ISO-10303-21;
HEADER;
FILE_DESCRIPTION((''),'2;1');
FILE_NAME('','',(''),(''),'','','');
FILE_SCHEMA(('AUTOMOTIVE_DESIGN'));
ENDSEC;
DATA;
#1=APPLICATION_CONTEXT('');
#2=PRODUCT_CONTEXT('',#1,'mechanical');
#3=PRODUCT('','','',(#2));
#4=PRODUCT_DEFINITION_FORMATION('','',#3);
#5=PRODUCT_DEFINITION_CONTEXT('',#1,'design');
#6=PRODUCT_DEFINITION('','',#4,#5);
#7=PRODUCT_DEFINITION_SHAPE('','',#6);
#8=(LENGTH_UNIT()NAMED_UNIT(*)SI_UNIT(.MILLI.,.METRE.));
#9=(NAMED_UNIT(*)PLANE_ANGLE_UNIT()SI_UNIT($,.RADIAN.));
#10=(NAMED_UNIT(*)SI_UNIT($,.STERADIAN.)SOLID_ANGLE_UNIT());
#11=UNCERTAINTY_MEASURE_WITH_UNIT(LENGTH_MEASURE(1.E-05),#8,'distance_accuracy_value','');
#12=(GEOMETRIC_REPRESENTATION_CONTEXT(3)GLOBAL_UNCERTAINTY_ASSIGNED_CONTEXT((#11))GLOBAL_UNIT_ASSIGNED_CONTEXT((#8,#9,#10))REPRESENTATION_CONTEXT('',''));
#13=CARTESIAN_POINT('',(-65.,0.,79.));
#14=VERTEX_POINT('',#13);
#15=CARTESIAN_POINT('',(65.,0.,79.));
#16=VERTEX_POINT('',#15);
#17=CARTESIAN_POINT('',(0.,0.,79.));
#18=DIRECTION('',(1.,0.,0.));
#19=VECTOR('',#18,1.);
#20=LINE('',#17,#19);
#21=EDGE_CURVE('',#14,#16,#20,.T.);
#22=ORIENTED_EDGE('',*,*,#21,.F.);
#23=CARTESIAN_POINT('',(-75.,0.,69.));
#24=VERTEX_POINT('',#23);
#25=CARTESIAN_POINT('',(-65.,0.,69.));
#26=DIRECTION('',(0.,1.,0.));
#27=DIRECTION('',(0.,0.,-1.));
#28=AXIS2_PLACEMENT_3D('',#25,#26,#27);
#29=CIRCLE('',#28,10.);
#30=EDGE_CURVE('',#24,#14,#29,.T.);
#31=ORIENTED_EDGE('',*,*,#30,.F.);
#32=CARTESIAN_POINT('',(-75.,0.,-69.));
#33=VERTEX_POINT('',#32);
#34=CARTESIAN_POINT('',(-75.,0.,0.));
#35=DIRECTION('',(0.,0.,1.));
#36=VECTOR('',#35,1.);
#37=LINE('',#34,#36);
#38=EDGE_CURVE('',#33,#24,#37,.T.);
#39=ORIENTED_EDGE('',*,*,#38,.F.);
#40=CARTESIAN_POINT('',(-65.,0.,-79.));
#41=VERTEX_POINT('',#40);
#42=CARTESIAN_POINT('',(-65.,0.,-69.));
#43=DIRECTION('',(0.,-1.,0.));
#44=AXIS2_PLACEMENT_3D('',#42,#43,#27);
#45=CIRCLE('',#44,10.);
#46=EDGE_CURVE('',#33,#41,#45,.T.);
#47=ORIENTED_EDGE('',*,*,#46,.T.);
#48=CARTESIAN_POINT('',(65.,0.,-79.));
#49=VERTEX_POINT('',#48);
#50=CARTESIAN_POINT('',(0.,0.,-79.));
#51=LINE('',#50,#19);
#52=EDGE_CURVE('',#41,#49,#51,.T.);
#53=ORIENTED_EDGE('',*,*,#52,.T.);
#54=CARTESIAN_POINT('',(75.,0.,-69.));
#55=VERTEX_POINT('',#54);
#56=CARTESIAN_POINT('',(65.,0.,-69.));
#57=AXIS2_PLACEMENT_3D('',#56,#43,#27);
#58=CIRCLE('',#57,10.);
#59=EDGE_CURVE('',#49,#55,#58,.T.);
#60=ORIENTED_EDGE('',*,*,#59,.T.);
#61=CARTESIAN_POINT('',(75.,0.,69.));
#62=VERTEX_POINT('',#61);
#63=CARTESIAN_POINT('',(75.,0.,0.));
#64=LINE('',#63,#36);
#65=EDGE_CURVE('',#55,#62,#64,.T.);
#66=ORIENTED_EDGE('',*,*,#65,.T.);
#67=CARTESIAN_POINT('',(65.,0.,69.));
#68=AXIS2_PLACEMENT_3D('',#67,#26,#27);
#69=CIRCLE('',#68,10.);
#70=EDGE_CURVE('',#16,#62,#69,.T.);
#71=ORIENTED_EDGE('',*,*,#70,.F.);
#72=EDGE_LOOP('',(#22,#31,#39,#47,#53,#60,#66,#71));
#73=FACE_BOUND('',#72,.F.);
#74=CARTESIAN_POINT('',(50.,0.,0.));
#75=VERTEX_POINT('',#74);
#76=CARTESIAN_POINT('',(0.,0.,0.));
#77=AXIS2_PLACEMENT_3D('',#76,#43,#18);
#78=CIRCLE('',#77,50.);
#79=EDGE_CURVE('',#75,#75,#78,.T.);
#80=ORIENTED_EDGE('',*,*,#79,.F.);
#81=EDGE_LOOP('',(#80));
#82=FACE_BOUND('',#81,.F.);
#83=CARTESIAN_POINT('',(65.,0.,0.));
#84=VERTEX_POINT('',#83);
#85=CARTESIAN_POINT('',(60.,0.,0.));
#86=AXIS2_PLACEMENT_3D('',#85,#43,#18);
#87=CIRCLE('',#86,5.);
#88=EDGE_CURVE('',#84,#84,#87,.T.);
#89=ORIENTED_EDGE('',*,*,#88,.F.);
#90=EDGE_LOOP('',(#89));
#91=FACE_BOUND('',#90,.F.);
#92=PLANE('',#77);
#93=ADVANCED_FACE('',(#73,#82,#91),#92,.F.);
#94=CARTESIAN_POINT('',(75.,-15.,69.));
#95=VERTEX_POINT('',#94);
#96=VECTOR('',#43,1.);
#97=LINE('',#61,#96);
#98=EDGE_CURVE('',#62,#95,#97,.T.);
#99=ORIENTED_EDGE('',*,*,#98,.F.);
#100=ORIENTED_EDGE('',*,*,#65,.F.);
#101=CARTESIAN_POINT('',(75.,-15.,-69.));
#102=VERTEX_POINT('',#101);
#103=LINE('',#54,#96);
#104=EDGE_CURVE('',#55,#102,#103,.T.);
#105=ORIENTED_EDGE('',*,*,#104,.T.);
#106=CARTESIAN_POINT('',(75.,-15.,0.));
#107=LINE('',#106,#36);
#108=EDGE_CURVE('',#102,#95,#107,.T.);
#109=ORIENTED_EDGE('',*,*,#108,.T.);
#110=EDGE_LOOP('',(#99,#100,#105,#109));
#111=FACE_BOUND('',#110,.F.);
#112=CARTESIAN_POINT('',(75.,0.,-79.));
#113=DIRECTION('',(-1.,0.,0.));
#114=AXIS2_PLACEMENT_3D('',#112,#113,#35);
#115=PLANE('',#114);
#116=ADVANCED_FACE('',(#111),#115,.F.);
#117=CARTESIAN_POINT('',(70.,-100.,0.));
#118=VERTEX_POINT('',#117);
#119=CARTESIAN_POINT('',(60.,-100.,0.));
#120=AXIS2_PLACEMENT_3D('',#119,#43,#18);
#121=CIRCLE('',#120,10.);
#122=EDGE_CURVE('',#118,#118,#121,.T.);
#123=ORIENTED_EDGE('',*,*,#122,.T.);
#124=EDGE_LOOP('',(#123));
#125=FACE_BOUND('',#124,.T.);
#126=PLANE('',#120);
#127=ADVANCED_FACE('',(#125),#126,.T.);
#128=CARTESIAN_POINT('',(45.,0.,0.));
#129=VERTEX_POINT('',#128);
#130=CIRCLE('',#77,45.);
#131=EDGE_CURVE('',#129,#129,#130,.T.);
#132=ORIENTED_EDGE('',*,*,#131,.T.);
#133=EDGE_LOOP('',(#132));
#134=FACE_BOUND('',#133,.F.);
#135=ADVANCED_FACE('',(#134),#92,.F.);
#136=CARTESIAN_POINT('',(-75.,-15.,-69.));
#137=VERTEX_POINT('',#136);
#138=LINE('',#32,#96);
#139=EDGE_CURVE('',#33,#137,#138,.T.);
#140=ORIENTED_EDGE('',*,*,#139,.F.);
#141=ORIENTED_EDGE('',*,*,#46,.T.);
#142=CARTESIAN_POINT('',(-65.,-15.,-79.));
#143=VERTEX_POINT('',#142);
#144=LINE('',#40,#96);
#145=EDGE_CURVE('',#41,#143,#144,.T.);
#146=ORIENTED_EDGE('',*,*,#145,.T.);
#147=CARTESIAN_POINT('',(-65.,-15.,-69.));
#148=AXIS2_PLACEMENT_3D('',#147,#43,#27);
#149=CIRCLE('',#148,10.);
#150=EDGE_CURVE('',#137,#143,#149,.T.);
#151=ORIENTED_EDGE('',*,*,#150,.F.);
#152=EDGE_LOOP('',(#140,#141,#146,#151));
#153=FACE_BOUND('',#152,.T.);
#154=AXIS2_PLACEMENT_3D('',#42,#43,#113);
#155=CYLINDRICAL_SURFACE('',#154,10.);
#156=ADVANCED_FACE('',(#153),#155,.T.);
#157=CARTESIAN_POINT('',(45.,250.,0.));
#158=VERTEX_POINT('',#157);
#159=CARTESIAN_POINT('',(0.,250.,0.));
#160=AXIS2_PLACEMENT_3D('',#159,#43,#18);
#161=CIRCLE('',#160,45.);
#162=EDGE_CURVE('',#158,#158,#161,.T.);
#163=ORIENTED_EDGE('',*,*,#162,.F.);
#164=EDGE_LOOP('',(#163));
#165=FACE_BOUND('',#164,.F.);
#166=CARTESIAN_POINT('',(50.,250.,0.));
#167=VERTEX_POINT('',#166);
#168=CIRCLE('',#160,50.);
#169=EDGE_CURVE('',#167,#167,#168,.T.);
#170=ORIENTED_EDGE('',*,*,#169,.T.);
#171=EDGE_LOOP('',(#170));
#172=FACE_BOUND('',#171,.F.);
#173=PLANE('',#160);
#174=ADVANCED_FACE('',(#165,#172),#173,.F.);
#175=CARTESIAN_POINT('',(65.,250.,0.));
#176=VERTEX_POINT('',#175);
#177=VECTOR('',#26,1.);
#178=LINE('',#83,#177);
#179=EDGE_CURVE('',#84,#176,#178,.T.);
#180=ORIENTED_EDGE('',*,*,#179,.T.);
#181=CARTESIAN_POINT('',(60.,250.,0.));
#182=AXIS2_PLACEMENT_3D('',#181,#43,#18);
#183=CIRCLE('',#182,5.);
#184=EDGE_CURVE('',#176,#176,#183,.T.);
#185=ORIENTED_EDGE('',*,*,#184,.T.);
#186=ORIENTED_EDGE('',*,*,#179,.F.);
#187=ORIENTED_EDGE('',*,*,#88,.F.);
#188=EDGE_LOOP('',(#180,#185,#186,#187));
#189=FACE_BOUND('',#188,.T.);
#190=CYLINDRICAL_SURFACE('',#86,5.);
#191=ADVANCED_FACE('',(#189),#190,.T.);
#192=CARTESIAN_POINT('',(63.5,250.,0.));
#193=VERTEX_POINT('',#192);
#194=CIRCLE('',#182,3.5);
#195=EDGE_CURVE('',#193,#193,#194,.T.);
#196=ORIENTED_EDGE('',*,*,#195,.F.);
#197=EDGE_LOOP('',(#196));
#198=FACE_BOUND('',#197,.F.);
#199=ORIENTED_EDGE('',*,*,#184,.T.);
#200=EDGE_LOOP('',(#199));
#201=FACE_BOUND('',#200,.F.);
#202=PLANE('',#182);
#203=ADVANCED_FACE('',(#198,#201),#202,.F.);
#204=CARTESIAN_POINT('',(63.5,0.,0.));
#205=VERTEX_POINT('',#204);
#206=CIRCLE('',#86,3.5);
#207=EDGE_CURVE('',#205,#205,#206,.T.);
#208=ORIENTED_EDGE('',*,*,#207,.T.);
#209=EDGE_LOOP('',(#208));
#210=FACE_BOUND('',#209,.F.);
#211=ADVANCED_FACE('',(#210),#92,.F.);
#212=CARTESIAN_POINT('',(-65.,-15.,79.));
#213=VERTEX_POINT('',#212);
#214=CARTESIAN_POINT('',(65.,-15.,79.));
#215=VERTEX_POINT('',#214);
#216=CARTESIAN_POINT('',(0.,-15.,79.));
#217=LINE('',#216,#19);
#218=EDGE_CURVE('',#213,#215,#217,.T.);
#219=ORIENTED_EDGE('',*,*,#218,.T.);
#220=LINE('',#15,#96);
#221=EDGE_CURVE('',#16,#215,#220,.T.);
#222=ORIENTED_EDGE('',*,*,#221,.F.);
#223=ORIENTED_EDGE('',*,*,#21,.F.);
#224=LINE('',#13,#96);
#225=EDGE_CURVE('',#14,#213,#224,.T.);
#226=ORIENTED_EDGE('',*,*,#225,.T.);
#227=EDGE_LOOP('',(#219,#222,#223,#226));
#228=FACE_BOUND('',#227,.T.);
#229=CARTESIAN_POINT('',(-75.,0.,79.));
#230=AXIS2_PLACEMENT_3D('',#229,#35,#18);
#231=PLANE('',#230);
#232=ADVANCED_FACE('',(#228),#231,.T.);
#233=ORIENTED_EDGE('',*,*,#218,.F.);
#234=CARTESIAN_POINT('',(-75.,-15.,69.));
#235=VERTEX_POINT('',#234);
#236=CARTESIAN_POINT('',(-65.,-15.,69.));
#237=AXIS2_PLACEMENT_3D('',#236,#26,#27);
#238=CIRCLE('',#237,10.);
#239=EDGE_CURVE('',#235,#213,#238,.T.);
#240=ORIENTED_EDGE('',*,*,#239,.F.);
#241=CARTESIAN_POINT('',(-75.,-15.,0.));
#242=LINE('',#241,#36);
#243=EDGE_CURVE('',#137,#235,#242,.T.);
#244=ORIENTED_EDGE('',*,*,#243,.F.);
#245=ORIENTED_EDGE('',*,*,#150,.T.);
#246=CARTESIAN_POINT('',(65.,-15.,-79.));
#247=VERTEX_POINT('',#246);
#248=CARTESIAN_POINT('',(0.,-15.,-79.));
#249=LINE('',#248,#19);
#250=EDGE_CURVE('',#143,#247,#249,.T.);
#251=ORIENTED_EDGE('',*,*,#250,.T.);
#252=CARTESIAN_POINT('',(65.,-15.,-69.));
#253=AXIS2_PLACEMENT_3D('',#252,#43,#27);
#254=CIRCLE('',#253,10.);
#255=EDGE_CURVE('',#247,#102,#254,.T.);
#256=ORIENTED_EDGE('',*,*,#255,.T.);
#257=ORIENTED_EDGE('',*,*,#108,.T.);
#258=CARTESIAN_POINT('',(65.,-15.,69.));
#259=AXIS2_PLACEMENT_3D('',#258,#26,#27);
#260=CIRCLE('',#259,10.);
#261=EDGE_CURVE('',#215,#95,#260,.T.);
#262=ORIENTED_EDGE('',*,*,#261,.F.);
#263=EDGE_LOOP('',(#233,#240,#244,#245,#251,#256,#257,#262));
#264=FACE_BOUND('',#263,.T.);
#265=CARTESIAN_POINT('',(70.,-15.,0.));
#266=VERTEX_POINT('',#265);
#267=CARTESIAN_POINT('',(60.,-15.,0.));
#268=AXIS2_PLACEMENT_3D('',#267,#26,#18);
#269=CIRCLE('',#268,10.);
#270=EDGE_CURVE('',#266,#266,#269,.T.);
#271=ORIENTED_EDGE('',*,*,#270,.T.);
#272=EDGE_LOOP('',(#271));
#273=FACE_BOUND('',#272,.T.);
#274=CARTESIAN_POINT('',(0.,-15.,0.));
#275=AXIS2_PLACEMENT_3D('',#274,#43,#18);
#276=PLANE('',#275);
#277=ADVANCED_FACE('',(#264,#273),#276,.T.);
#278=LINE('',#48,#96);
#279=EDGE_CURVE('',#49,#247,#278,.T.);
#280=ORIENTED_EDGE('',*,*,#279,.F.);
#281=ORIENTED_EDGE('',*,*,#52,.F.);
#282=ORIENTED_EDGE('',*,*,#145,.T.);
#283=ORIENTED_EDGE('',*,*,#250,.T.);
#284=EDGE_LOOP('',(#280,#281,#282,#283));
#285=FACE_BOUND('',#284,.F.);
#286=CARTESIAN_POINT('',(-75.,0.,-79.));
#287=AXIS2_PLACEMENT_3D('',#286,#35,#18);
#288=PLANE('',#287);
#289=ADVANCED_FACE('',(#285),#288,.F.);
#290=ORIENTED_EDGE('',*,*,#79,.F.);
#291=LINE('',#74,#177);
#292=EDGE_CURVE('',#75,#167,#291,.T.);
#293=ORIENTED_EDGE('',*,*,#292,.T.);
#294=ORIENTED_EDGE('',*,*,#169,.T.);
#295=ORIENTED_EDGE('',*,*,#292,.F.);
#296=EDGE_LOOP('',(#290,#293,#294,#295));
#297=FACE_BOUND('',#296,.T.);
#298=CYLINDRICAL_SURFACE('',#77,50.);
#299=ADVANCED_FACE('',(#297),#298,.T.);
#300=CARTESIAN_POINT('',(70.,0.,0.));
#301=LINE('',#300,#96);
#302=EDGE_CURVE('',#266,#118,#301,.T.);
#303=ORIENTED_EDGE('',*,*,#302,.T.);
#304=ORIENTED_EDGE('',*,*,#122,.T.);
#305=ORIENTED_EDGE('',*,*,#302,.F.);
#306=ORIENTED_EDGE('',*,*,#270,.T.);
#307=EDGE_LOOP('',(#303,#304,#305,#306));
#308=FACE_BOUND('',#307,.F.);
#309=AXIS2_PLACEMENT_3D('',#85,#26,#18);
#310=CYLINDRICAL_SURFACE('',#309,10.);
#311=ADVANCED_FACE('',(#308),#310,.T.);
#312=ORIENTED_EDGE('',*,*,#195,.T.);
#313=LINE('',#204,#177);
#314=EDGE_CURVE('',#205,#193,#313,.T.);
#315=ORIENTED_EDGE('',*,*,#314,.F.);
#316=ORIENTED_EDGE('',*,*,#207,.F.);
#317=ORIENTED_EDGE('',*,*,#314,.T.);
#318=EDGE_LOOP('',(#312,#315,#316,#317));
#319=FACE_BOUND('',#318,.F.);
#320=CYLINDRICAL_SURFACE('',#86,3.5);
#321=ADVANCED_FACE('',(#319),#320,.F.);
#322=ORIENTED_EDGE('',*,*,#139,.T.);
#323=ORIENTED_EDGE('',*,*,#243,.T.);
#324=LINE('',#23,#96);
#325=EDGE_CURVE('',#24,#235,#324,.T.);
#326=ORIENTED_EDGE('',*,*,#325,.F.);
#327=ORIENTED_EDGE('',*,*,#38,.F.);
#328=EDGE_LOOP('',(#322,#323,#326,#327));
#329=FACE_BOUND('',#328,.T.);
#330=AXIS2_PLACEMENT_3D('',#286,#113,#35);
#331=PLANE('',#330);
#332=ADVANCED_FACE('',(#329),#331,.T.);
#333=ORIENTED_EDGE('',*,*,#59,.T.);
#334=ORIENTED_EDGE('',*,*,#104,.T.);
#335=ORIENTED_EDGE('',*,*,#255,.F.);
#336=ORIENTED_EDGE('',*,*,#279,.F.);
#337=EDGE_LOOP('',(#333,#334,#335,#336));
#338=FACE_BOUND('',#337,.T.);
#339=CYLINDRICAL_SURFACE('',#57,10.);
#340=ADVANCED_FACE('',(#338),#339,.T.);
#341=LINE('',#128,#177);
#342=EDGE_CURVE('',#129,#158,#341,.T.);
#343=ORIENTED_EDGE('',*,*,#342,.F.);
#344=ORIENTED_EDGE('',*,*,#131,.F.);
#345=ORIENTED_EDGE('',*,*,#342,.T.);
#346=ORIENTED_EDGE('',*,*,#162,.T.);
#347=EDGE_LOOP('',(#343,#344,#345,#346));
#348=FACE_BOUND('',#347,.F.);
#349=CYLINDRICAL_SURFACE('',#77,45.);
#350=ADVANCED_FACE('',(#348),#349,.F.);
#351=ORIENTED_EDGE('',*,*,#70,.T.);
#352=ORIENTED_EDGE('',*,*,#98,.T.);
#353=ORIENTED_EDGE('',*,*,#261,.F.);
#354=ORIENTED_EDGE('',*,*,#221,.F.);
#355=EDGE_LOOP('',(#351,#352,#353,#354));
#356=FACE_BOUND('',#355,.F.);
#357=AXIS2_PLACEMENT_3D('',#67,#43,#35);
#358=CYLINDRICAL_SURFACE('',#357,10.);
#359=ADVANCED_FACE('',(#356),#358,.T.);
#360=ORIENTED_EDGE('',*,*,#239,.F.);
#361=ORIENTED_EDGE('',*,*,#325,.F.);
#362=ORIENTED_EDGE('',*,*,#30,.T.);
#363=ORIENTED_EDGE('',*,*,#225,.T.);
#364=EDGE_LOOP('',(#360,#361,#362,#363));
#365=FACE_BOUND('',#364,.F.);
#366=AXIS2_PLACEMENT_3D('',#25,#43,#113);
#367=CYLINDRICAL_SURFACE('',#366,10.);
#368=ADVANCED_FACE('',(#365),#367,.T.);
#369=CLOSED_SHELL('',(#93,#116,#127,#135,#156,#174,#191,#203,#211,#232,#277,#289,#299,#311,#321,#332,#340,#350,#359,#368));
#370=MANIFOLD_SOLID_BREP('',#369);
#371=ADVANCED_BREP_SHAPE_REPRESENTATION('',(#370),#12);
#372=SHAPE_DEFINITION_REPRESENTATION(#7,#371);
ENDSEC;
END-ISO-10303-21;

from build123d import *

# Parameters (mm, degrees)
F0_W     = 150
F0_H     = 158
F1_DEPTH = 15
F2_R     = 50
F2_R_2   = 45
F3_DEPTH = 250
F4_R     = 5
F4_R_2   = 3.5
F5_DEPTH = 250
F6_R     = 10
F7_R     = 10
F8_DEPTH = 100


with BuildPart() as f1:
    # F0 (on Front) → F1 (new body)
    with BuildSketch(Plane.XZ):
        Rectangle(F0_W, F0_H)
    extrude(amount=F1_DEPTH)

    # F2 (on Front) → F3 (join)
    with BuildSketch(Plane.XZ):
        Circle(F2_R)
        Circle(F2_R_2, mode=Mode.SUBTRACT)
    extrude(amount=-F3_DEPTH)

    # F4 (on Front) → F5 (join)
    with BuildSketch(Plane.XZ):
        with Locations((60, 0)):
            Circle(F4_R)
        with Locations((60, 0)):
            Circle(F4_R_2, mode=Mode.SUBTRACT)
    extrude(amount=-F5_DEPTH)

    # F6
    f6_edges = [f1.edges().sort_by_distance(p)[0] for p in [
        (75, -7.5, 79),
        (-75, -7.5, 79),
        (-75, -7.5, -79),
        (75, -7.5, -79),
    ]]
    fillet(f6_edges, radius=F6_R)

    # F7 (on Front) → F8 (join)
    with BuildSketch(Plane.XZ):
        with Locations((60, 0)):
            Circle(F7_R)
    extrude(amount=F8_DEPTH)


solid = f1.part
